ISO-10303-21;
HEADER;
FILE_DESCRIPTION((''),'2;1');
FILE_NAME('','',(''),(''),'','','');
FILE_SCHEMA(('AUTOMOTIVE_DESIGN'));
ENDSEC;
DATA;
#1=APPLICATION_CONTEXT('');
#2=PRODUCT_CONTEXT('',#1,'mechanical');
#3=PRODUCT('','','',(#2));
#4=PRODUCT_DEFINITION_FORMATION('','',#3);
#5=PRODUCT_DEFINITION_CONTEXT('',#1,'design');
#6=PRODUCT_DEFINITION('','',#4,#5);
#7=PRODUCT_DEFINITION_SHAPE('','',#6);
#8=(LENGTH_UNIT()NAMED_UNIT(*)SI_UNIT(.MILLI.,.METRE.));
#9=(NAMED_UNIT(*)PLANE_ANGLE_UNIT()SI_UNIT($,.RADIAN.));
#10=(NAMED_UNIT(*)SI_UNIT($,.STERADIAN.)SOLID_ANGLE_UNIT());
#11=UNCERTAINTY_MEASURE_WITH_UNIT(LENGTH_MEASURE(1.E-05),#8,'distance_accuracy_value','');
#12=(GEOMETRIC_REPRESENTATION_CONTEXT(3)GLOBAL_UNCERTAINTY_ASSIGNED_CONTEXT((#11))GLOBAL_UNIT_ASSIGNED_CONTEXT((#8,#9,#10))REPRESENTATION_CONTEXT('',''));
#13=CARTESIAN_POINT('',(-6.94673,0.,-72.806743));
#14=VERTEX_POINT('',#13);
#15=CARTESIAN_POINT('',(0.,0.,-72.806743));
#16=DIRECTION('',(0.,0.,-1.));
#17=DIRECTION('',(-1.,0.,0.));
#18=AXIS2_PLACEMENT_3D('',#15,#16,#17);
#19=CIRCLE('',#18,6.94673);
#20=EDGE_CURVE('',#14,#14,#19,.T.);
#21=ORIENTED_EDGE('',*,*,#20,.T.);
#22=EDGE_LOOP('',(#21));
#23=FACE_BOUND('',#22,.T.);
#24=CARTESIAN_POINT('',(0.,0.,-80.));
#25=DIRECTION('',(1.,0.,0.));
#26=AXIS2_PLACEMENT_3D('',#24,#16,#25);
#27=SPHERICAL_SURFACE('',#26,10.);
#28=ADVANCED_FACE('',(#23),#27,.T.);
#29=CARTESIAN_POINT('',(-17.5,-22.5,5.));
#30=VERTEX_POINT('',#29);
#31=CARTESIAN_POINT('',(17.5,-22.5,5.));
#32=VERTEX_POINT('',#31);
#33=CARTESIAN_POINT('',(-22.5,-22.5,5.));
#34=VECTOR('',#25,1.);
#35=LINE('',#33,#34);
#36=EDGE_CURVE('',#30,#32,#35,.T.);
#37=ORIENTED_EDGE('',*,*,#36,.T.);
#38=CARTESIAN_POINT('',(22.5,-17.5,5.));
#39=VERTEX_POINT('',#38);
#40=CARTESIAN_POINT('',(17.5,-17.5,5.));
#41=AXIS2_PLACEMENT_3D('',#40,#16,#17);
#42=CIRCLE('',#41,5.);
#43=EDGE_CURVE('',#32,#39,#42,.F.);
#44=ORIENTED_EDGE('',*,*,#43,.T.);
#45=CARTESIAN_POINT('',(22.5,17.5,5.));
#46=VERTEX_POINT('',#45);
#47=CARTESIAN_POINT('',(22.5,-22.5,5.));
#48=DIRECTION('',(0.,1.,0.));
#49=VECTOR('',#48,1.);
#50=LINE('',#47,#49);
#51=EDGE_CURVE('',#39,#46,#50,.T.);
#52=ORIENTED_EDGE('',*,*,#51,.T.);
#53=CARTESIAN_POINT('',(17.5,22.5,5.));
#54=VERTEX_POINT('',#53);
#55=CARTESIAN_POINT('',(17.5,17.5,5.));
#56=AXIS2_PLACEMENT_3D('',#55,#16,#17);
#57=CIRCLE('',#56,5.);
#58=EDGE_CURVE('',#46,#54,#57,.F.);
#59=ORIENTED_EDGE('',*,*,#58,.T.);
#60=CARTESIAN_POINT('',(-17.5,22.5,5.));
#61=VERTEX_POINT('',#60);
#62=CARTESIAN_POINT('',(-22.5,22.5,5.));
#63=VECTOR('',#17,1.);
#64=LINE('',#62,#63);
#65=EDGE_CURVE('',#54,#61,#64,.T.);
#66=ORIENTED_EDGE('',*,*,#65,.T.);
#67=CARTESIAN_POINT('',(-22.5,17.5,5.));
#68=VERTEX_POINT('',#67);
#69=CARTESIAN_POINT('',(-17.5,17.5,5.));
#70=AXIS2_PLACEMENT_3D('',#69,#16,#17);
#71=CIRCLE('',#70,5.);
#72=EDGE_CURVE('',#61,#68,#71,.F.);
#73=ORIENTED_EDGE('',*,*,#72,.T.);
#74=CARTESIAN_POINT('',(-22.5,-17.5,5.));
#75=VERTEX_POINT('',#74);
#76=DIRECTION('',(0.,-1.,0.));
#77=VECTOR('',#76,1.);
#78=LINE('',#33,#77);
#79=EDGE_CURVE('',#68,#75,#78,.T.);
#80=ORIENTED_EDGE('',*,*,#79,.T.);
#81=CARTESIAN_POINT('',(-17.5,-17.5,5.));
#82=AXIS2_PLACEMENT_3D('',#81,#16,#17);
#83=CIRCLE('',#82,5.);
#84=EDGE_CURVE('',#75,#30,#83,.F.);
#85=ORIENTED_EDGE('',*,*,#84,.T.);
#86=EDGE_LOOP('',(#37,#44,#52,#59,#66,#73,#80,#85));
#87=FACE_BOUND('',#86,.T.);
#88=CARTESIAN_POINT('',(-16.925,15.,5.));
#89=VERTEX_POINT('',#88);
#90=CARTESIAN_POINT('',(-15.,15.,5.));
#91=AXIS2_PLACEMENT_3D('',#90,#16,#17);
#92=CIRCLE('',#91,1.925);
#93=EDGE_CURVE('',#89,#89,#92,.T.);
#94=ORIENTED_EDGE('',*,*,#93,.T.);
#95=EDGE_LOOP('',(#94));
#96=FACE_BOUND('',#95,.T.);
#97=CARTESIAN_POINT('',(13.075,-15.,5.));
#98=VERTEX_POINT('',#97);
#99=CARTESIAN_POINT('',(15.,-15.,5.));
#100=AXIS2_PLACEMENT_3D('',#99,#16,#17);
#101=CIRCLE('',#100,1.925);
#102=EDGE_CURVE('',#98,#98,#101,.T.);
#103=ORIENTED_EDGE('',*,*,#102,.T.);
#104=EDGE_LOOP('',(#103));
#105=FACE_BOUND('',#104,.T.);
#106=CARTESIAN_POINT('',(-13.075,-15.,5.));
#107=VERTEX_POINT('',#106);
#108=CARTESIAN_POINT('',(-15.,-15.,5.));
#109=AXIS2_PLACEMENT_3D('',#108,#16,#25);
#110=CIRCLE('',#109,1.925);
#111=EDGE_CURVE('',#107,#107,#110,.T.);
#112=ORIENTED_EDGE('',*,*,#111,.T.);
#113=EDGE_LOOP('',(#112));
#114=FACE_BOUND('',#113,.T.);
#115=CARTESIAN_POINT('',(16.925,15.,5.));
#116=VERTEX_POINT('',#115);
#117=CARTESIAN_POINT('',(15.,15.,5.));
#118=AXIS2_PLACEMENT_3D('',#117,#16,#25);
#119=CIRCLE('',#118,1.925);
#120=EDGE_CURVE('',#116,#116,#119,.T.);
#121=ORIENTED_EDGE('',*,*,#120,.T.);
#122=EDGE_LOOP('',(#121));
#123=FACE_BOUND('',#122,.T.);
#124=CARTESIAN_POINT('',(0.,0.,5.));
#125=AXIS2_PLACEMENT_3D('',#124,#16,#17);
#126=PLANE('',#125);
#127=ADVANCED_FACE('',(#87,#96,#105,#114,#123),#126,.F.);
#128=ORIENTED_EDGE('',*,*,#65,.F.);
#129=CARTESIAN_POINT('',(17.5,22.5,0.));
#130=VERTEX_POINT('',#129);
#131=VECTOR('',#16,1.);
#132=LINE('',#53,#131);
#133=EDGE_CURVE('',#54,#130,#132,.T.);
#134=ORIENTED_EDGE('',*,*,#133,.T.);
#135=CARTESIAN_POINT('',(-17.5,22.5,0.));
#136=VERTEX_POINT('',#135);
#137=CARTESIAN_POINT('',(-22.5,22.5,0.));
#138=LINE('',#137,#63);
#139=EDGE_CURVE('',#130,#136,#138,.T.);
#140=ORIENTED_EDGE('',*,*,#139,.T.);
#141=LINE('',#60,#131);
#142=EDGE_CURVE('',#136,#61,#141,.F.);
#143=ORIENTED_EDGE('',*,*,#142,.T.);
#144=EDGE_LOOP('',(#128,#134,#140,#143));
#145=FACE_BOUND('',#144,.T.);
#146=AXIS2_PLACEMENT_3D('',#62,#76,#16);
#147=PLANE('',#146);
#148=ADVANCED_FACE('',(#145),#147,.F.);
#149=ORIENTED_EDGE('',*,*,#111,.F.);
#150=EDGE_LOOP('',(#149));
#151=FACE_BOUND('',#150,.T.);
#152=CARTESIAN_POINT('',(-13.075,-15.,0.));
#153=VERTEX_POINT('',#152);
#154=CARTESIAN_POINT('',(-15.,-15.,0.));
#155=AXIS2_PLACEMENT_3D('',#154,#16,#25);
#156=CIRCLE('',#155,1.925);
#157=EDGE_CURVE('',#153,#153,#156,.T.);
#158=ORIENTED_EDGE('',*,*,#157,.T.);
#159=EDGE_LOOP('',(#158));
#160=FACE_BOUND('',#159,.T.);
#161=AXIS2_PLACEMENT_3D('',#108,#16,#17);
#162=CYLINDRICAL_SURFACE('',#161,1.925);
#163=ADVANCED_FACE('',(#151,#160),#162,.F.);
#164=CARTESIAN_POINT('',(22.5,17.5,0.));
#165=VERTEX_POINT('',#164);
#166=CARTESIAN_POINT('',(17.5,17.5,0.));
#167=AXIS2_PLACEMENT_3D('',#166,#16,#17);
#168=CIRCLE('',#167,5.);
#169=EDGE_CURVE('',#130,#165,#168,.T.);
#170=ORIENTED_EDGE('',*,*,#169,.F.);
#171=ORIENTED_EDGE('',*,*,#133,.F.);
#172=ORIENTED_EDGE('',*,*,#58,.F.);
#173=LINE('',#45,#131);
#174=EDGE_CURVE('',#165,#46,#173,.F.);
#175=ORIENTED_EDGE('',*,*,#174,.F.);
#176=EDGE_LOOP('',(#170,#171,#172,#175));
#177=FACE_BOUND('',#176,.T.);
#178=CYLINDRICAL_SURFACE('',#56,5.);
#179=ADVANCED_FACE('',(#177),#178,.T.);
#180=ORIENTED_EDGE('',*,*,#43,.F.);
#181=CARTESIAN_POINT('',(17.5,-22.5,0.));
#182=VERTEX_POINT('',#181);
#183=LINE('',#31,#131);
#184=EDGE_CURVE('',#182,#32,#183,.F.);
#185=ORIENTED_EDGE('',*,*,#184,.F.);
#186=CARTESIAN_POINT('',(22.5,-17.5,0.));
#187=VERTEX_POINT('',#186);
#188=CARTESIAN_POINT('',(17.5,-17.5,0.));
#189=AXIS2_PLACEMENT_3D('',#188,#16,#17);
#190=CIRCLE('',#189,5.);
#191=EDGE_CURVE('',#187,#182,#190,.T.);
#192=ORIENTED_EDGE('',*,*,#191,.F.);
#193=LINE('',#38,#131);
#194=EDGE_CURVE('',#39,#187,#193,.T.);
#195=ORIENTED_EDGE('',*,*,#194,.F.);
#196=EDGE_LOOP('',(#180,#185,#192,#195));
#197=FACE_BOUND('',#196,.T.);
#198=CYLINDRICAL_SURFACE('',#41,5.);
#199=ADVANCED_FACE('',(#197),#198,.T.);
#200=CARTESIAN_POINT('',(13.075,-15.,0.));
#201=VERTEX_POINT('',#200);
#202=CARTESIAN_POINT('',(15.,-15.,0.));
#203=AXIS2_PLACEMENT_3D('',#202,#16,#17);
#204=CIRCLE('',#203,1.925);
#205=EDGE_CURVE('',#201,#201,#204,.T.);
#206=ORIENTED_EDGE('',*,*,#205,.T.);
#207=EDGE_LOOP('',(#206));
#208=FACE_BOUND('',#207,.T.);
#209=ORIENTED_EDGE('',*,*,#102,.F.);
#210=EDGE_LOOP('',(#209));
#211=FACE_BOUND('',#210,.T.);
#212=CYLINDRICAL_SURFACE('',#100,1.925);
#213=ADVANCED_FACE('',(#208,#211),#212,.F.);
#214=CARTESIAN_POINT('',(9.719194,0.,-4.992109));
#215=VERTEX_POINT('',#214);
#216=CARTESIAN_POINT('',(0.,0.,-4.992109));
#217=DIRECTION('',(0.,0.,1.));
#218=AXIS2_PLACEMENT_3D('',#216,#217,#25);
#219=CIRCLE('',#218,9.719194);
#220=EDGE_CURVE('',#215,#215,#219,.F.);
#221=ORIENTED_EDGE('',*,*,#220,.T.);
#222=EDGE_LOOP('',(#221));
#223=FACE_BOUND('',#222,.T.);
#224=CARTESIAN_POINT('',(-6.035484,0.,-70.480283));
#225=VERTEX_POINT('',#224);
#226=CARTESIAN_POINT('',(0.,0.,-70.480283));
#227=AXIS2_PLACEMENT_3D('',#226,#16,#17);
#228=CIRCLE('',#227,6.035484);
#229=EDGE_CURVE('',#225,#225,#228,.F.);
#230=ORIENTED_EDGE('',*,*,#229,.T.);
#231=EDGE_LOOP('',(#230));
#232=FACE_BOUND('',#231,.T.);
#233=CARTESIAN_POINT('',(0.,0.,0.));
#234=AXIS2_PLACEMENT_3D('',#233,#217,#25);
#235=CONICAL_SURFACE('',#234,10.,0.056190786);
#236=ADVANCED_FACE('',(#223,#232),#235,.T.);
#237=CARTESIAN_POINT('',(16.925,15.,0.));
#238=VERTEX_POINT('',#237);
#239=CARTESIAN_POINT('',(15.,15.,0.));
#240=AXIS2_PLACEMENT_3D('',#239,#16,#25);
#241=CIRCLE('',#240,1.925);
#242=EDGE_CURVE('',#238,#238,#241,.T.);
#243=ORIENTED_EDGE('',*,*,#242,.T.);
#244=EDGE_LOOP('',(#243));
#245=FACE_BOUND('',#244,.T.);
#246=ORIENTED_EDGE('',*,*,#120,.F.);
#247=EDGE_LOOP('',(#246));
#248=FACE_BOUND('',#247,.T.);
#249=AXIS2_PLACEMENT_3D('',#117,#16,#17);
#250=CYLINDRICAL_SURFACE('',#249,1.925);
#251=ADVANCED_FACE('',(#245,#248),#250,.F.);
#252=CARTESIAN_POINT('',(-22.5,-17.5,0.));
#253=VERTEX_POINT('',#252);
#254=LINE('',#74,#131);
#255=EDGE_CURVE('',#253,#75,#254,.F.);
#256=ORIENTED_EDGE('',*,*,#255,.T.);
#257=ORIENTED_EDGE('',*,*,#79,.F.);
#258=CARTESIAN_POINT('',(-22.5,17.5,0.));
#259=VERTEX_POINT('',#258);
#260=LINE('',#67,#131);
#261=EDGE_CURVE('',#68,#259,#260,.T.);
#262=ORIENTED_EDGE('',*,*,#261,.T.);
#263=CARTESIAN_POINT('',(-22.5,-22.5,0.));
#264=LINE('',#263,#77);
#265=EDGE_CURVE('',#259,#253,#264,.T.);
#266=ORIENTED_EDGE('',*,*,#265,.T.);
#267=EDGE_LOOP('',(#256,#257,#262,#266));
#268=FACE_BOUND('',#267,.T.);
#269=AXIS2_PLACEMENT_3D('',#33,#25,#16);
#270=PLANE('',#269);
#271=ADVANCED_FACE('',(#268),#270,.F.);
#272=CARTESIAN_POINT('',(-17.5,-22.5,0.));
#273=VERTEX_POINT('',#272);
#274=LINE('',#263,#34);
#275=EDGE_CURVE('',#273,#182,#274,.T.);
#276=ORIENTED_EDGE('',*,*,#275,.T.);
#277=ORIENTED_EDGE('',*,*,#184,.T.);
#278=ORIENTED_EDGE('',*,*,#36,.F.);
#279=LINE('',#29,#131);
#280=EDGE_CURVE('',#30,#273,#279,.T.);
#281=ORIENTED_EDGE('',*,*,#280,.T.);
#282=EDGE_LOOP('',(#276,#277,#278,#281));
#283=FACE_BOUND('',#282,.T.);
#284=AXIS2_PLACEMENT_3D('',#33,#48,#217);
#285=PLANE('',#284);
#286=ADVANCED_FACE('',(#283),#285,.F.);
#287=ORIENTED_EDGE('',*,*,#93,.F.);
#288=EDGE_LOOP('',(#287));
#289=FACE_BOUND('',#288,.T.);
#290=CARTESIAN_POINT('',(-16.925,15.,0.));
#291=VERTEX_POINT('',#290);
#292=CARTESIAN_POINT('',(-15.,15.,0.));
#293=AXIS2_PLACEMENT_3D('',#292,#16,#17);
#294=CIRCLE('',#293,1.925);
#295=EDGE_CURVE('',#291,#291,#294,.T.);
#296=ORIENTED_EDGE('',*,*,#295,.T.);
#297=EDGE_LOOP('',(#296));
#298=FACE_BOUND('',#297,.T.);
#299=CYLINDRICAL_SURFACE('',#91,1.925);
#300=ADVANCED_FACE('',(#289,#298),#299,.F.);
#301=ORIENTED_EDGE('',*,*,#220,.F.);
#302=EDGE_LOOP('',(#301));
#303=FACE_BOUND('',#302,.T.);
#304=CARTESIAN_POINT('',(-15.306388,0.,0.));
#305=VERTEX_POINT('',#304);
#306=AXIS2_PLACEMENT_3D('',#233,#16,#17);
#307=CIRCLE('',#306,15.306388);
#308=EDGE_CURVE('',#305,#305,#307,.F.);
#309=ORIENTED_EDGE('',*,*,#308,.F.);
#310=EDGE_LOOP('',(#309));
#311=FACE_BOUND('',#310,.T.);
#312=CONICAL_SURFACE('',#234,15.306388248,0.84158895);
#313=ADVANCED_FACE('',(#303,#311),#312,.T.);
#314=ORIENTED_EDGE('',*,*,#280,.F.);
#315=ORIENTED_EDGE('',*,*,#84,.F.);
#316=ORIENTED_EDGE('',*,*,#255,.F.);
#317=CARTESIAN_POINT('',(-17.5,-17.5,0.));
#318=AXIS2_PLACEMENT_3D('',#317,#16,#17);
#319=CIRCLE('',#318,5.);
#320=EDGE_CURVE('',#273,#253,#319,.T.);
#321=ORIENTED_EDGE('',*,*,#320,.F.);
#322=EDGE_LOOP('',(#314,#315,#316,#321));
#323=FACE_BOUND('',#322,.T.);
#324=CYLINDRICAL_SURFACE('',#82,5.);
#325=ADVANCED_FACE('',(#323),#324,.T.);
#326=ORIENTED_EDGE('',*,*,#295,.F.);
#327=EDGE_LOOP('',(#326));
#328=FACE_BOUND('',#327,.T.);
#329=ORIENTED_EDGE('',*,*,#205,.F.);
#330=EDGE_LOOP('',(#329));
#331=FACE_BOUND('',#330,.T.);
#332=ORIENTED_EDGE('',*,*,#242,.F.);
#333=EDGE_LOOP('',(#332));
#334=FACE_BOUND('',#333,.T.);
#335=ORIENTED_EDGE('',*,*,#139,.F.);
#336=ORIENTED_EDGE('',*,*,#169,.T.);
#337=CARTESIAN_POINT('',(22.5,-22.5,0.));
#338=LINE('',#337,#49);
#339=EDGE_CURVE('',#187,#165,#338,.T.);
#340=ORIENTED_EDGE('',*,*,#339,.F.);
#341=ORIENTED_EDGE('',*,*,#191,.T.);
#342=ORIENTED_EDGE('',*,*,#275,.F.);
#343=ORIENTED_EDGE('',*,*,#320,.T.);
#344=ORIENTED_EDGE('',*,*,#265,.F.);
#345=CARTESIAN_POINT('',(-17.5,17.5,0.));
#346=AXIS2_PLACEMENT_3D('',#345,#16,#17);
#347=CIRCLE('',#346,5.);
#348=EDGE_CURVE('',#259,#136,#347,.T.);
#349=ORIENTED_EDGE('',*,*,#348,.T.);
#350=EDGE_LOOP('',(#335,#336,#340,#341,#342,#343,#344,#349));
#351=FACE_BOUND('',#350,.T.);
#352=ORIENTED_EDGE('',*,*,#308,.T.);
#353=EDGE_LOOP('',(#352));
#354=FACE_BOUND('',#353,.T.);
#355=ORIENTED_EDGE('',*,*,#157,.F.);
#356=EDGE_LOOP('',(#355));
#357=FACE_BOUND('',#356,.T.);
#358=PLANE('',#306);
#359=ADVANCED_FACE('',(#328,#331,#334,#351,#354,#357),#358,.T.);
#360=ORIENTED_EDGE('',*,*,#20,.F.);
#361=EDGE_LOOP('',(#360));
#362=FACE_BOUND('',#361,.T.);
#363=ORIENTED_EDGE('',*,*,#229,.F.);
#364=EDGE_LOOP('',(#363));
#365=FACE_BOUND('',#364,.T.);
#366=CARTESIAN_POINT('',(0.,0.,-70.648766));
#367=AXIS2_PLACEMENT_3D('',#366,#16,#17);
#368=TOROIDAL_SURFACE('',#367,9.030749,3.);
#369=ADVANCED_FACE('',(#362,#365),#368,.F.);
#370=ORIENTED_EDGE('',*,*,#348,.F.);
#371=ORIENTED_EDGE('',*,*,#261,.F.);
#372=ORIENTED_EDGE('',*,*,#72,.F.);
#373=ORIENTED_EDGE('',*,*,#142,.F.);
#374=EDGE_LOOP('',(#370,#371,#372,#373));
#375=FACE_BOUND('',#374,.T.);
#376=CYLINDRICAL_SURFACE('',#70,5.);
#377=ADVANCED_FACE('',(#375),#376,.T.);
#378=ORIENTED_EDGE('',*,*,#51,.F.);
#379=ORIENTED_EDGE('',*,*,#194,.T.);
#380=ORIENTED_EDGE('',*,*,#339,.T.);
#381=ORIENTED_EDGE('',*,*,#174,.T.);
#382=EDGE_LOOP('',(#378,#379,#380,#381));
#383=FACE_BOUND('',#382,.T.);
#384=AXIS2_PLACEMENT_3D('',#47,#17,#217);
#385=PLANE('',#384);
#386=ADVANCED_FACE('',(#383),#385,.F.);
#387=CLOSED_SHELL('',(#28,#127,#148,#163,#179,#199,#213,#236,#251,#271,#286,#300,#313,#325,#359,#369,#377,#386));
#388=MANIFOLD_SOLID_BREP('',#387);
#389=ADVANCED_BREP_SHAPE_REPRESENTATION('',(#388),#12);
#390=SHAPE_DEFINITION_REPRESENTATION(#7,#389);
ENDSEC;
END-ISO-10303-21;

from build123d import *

# Parameters (mm, degrees)
SKETCH1_W           = 45
SKETCH1_H           = 45
BOSS_EXTRUDE1_DEPTH = 5
FILLET1_R           = 5
SKETCH4_R           = 1.925
CUT_EXTRUDE1_DEPTH  = 6
FILLET3_R           = 3
CHAMFER1_SIZE2      = 5.306388248
CHAMFER1_SIZE       = 5


with BuildPart() as part:
    # Sketch1 → Boss-Extrude1 (new body)
    with BuildSketch(Plane.XY):
        Rectangle(SKETCH1_W, SKETCH1_H)
    extrude(amount=BOSS_EXTRUDE1_DEPTH)

    # Fillet1
    fillet1_edges = [part.edges().sort_by_distance(p)[0] for p in [
        (22.5, -22.5, 2.5),
        (-22.5, -22.5, 2.5),
        (-22.5, 22.5, 2.5),
        (22.5, 22.5, 2.5),
    ]]
    fillet(fillet1_edges, radius=FILLET1_R)

    # Sketch2 → Revolve1 (revolve)
    with BuildSketch(Plane(origin=(0, 0, 0), x_dir=(1, 0, 0), z_dir=(0, 1, 0))):
        Polygon((10, 0), (5.5, 80), (0, 80), (0, 0), align=None)
    revolve(axis=Axis((0, 0, 0), (0, 0, -1)))

    # Sketch3 → Revolve2 (revolve)
    with BuildSketch(Plane(origin=(0, 0, 0), x_dir=(1, 0, 0), z_dir=(0, 1, 0))):
        with BuildLine():
            Line((0, 90), (0, 70))
            ThreePointArc((0, 70), (10, 80), (0, 90))
        make_face()
    revolve(axis=Axis((0, 0, -90), (0, 0, 1)))

    # Sketch4 → Cut-Extrude1 (cut, through all)
    with BuildSketch(Plane(origin=(0, 0, 0), x_dir=(-1, 0, 0), z_dir=(0, 0, -1))):
        with Locations((15, 15)):
            Circle(SKETCH4_R)
        with Locations((15, -15)):
            Circle(SKETCH4_R)
        with Locations((-15, -15)):
            Circle(SKETCH4_R)
        with Locations((-15, 15)):
            Circle(SKETCH4_R)
    extrude(amount=-CUT_EXTRUDE1_DEPTH, mode=Mode.SUBTRACT)

    # Fillet3
    fillet3_edges = [part.edges().sort_by_distance(p)[0] for p in [
        (-5.952011904, 0, -71.964232813),
    ]]
    fillet(fillet3_edges, radius=FILLET3_R)

    # Chamfer1
    chamfer1_edges = [part.edges().sort_by_distance(p)[0] for p in [
        (-10, 0, 0),
    ]]
    chamfer(chamfer1_edges, length=CHAMFER1_SIZE, length2=CHAMFER1_SIZE2)


solid = part.part
